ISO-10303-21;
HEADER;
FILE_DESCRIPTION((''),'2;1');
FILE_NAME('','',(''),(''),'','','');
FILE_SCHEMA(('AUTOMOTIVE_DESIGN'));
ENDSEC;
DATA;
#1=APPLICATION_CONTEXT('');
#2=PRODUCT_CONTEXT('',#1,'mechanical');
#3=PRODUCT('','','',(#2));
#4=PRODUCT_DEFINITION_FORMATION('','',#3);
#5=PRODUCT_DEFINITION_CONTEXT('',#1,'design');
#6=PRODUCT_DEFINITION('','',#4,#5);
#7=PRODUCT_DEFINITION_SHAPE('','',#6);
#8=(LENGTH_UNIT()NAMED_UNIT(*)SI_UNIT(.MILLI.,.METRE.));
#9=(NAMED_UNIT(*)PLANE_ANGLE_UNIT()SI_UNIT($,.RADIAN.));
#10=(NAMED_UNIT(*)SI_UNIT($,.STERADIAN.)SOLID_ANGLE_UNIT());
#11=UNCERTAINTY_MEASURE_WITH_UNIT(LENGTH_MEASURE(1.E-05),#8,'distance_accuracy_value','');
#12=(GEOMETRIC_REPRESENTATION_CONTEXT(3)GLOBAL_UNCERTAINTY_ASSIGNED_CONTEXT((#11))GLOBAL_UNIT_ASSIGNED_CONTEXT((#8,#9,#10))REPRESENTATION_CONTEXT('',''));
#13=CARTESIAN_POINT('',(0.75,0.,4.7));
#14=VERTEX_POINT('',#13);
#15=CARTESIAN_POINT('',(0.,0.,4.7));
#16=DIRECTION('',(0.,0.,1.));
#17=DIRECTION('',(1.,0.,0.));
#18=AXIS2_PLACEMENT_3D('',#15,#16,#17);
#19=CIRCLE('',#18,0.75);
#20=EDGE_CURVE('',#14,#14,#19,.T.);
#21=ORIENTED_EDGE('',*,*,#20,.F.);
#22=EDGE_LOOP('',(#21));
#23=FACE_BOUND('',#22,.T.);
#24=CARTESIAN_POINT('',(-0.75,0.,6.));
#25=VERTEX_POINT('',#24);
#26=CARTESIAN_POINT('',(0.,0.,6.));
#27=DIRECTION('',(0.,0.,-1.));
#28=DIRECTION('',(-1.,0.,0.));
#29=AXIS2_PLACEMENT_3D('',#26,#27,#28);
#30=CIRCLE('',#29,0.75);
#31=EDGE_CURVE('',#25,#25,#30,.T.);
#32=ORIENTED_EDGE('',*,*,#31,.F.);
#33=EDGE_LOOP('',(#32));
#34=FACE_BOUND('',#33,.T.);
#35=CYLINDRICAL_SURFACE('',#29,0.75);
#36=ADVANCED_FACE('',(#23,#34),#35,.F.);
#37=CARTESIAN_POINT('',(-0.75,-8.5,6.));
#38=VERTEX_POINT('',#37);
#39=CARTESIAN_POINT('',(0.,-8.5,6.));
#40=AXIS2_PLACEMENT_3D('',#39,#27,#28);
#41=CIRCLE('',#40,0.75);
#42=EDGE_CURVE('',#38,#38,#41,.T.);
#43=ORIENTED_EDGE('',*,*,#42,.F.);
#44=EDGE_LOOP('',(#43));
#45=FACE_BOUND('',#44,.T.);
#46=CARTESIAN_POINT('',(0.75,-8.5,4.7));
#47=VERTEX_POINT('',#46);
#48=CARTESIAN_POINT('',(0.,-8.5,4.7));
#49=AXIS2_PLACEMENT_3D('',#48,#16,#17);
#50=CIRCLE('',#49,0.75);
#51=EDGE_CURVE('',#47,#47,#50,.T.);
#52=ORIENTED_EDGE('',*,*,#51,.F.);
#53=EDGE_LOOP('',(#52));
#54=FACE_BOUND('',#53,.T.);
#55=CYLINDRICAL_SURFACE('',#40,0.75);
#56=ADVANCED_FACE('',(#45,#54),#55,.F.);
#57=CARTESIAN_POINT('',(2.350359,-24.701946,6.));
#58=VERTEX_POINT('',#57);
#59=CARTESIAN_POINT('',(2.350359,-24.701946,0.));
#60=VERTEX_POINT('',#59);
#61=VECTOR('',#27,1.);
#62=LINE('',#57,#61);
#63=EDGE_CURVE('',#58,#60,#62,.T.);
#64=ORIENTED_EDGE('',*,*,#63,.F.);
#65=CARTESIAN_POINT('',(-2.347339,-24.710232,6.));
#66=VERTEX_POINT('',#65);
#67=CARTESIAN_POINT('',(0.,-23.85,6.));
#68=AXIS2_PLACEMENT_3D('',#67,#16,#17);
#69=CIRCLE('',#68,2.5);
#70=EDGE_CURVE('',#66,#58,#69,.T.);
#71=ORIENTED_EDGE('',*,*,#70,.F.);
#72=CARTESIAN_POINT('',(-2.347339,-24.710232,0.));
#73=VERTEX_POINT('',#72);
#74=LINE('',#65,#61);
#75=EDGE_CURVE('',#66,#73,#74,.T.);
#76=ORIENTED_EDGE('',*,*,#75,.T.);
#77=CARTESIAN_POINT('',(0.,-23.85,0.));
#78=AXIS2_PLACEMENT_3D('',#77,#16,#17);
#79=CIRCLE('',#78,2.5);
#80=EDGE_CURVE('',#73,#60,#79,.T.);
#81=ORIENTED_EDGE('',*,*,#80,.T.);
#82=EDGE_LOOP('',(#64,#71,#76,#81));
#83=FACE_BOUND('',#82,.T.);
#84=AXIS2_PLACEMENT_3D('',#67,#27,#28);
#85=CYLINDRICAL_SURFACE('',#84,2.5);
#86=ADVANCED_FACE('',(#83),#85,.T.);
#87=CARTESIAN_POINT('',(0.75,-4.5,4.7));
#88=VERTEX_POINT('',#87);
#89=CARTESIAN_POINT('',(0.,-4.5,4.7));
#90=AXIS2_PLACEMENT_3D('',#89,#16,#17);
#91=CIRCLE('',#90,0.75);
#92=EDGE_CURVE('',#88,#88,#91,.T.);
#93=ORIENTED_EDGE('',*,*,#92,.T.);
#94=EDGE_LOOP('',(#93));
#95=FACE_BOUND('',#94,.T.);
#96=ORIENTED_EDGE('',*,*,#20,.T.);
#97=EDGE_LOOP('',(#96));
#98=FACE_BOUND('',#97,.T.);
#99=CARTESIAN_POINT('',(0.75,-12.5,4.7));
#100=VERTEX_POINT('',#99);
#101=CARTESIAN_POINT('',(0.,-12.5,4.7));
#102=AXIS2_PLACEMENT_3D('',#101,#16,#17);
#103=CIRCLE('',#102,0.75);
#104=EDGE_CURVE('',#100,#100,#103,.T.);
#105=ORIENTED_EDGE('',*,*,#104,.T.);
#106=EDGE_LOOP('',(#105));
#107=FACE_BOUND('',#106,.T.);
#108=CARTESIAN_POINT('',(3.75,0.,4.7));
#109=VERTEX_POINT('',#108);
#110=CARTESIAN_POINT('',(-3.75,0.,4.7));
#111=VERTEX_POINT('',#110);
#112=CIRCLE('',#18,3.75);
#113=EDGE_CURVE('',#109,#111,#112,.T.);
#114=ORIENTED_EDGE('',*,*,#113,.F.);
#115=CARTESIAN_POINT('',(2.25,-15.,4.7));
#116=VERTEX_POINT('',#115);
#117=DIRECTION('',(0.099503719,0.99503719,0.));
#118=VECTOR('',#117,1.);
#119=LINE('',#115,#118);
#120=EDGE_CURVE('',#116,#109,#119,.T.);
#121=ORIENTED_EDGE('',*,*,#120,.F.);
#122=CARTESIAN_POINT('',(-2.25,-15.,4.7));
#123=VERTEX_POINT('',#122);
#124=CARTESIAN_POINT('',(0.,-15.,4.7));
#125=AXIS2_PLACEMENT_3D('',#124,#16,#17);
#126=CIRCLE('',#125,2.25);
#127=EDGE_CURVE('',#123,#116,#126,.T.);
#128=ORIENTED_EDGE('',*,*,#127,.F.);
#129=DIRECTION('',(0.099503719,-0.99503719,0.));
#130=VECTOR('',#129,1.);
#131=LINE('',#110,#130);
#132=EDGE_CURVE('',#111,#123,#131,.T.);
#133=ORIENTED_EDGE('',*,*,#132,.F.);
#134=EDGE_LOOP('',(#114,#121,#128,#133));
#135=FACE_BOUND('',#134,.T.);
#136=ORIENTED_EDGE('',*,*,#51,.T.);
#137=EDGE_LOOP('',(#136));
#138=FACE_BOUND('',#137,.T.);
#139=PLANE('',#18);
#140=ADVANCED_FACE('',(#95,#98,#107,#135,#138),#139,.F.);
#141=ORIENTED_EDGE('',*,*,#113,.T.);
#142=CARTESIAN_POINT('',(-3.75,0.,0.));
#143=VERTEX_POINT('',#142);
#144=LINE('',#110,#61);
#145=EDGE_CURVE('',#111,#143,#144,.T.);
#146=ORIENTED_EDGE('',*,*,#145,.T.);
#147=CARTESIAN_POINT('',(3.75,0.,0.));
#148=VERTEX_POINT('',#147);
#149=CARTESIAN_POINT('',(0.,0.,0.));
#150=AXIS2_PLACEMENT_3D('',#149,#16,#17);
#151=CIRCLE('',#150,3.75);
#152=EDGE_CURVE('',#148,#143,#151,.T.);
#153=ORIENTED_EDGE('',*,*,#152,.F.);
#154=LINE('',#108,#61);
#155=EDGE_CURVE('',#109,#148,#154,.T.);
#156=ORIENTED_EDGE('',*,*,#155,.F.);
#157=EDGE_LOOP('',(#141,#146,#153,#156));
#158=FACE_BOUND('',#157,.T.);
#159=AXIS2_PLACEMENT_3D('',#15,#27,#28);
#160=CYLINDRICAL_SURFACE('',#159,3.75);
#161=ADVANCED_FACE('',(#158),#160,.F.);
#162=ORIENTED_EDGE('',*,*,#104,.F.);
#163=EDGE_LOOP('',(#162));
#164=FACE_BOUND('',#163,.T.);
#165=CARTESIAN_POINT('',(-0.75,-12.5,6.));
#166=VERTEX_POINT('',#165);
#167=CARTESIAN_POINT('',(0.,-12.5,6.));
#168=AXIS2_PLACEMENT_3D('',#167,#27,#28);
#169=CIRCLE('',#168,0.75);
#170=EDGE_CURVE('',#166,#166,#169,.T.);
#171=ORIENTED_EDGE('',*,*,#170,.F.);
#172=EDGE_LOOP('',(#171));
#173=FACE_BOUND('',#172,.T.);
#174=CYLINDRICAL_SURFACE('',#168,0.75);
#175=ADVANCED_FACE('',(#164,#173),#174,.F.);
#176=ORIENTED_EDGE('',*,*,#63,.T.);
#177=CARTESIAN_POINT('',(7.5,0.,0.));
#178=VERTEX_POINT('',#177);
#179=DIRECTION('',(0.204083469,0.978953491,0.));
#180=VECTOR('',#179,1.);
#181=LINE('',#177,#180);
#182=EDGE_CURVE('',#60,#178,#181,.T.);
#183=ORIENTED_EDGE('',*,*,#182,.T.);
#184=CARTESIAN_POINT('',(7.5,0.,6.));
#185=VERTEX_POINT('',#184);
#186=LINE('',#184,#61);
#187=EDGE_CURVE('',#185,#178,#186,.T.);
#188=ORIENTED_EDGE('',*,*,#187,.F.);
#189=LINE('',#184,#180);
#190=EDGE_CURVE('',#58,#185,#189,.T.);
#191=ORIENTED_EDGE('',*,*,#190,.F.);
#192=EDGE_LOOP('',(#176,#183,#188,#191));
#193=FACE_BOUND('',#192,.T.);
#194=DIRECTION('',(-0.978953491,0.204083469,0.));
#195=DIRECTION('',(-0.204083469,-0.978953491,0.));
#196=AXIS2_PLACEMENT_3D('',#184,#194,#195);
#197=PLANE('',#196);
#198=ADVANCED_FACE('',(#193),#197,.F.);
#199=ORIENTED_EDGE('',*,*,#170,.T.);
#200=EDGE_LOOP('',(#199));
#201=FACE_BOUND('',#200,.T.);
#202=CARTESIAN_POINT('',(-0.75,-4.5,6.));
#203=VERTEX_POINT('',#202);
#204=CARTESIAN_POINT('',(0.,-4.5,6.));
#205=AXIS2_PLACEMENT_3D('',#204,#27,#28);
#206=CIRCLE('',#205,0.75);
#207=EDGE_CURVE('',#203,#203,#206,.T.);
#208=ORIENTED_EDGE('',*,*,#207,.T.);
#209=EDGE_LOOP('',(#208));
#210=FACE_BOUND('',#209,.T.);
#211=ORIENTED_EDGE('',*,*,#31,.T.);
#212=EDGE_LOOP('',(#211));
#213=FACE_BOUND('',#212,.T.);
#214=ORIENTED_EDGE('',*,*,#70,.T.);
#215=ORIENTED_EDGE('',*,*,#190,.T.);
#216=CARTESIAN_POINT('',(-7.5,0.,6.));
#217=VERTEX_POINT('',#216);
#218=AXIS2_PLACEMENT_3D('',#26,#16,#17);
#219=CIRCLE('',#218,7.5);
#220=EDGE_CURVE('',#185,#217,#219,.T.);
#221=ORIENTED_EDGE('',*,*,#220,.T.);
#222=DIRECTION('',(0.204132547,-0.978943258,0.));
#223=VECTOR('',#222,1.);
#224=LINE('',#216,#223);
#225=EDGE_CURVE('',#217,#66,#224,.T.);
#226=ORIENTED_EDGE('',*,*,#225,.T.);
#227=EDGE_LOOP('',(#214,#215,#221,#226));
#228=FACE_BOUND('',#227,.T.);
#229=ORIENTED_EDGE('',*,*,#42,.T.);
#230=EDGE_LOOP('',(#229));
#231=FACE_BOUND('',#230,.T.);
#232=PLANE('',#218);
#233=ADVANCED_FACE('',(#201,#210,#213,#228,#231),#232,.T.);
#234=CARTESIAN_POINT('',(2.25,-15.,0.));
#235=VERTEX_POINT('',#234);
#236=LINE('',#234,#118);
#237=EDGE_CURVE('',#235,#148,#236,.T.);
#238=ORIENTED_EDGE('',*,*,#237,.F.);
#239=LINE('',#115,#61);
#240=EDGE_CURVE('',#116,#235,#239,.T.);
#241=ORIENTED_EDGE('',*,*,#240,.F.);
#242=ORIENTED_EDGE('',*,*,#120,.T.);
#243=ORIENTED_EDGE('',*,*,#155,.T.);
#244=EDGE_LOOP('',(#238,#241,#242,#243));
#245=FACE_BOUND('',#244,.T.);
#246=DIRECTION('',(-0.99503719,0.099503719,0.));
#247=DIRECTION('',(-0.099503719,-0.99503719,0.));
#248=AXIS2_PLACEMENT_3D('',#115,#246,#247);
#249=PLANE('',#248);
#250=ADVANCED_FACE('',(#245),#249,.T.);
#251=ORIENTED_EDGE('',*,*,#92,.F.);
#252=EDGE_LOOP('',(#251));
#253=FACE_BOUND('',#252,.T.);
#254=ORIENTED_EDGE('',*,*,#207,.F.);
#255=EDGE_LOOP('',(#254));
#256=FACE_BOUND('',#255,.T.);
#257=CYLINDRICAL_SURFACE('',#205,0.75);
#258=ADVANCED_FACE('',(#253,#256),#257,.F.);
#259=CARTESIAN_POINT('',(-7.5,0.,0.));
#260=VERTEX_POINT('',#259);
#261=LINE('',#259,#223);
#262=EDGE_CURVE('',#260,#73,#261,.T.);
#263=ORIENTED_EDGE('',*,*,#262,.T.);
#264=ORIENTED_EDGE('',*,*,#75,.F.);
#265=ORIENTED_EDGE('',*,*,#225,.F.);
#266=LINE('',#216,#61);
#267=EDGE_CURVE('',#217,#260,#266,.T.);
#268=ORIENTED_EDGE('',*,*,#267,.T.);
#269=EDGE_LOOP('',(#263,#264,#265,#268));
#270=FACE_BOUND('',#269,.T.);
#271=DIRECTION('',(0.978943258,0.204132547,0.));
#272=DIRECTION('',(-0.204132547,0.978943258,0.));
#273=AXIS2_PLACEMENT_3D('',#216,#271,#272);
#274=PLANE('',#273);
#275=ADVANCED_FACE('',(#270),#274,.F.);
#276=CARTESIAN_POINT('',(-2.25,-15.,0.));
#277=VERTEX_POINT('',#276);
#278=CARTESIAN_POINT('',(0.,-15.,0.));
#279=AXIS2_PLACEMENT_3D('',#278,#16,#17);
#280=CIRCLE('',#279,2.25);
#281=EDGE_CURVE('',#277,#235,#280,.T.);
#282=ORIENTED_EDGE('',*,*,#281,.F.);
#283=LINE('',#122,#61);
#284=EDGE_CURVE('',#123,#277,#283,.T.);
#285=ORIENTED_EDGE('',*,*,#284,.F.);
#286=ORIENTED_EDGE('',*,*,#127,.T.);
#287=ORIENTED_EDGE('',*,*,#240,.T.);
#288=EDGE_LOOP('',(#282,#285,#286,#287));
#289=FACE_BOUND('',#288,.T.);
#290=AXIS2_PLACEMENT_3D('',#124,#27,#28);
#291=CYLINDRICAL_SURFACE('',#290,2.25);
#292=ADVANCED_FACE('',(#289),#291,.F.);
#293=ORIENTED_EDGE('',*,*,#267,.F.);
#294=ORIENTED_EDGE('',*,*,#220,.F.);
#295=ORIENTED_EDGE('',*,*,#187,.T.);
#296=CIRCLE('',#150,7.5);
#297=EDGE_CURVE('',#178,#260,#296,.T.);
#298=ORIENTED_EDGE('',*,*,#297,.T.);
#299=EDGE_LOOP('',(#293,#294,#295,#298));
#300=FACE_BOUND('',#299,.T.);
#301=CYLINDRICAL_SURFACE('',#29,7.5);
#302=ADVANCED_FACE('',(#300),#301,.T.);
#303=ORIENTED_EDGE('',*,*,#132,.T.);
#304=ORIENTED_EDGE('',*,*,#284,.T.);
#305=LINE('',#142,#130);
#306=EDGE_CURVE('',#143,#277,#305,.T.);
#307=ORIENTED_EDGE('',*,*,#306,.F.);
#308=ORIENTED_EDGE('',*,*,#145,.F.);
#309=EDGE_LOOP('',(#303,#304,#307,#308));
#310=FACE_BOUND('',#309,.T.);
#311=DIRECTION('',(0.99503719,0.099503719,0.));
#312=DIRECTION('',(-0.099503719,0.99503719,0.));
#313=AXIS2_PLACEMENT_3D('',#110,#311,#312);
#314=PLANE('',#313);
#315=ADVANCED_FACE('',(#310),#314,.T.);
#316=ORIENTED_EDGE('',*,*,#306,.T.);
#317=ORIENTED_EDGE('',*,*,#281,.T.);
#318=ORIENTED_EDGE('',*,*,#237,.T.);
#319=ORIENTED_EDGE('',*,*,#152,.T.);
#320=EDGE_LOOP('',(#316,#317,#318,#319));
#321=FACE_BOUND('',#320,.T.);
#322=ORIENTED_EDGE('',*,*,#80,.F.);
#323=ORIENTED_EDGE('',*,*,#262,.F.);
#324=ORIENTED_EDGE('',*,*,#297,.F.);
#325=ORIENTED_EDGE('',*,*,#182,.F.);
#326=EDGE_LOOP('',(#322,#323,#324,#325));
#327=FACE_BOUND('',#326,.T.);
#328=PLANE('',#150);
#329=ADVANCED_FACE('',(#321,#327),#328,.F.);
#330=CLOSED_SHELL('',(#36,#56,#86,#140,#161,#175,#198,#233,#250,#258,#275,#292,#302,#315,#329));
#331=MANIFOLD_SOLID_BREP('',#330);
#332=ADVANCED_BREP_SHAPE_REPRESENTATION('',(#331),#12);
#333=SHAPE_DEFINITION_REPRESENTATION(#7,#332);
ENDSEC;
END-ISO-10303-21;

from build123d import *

# Parameters (mm, degrees)
BOSS_EXTRUDE1_DEPTH     = 6
CUT_EXTRUDE3_DEPTH      = 4.7
CUT_EXTRUDE4_DEPTH      = 28.796807371
CUT_EXTRUDE4_DEPTH_BACK = 28.796807371
SKETCH4_R               = 0.75
SKETCH6_R               = 0.75
CUT_EXTRUDE6_DEPTH      = 28.796807371
LPATTERN1_COUNT         = 3
LPATTERN1_PITCH         = 4


with BuildPart() as part:
    # Sketch2 → Boss-Extrude1 (new body)
    with BuildSketch(Plane.XY):
        with BuildLine():
            Line((-7.5, 0), (-2.347339189, -24.710231791))
            ThreePointArc((-2.347339189, -24.710231791), (0.004409749, -26.349996111), (2.350359302, -24.70194551))
            Line((2.350359302, -24.70194551), (7.5, 0))
            ThreePointArc((7.5, 0), (0, 7.5), (-7.5, 0))
        make_face()
    extrude(amount=BOSS_EXTRUDE1_DEPTH)

    # Sketch3 → Cut-Extrude3 (cut)
    with BuildSketch(Plane.XY):
        with BuildLine():
            Line((-3.75, 0), (-2.25, -15))
            ThreePointArc((-2.25, -15), (0, -17.25), (2.25, -15))
            Line((2.25, -15), (3.75, 0))
            ThreePointArc((3.75, 0), (0, 3.75), (-3.75, 0))
        make_face()
    extrude(amount=CUT_EXTRUDE3_DEPTH, mode=Mode.SUBTRACT)

    # Sketch4 → Cut-Extrude4 (cut, two sides: drawn at the far end of the back side and taken through both)
    with BuildSketch(Plane(origin=(0, 0, 4.7), x_dir=(-1, 0, 0), z_dir=(0, 0, -1)).offset(-CUT_EXTRUDE4_DEPTH_BACK)):
        Circle(SKETCH4_R)
    extrude(amount=CUT_EXTRUDE4_DEPTH + CUT_EXTRUDE4_DEPTH_BACK, mode=Mode.SUBTRACT)

    # Sketch6 → Cut-Extrude6 (cut, symmetric)
    with BuildSketch(Plane(origin=(0, 0, 4.7), x_dir=(-1, 0, 0), z_dir=(0, 0, -1))):
        with Locations((0, -4.5)):
            Circle(SKETCH6_R)
    cut_extrude6 = extrude(amount=CUT_EXTRUDE6_DEPTH, both=True, mode=Mode.SUBTRACT)

    # LPattern1: Cut-Extrude6 ×3
    with Locations(*[(0, -i * LPATTERN1_PITCH, 0) for i in range(1, LPATTERN1_COUNT)]):
        add(cut_extrude6, mode=Mode.SUBTRACT)


solid = part.part
